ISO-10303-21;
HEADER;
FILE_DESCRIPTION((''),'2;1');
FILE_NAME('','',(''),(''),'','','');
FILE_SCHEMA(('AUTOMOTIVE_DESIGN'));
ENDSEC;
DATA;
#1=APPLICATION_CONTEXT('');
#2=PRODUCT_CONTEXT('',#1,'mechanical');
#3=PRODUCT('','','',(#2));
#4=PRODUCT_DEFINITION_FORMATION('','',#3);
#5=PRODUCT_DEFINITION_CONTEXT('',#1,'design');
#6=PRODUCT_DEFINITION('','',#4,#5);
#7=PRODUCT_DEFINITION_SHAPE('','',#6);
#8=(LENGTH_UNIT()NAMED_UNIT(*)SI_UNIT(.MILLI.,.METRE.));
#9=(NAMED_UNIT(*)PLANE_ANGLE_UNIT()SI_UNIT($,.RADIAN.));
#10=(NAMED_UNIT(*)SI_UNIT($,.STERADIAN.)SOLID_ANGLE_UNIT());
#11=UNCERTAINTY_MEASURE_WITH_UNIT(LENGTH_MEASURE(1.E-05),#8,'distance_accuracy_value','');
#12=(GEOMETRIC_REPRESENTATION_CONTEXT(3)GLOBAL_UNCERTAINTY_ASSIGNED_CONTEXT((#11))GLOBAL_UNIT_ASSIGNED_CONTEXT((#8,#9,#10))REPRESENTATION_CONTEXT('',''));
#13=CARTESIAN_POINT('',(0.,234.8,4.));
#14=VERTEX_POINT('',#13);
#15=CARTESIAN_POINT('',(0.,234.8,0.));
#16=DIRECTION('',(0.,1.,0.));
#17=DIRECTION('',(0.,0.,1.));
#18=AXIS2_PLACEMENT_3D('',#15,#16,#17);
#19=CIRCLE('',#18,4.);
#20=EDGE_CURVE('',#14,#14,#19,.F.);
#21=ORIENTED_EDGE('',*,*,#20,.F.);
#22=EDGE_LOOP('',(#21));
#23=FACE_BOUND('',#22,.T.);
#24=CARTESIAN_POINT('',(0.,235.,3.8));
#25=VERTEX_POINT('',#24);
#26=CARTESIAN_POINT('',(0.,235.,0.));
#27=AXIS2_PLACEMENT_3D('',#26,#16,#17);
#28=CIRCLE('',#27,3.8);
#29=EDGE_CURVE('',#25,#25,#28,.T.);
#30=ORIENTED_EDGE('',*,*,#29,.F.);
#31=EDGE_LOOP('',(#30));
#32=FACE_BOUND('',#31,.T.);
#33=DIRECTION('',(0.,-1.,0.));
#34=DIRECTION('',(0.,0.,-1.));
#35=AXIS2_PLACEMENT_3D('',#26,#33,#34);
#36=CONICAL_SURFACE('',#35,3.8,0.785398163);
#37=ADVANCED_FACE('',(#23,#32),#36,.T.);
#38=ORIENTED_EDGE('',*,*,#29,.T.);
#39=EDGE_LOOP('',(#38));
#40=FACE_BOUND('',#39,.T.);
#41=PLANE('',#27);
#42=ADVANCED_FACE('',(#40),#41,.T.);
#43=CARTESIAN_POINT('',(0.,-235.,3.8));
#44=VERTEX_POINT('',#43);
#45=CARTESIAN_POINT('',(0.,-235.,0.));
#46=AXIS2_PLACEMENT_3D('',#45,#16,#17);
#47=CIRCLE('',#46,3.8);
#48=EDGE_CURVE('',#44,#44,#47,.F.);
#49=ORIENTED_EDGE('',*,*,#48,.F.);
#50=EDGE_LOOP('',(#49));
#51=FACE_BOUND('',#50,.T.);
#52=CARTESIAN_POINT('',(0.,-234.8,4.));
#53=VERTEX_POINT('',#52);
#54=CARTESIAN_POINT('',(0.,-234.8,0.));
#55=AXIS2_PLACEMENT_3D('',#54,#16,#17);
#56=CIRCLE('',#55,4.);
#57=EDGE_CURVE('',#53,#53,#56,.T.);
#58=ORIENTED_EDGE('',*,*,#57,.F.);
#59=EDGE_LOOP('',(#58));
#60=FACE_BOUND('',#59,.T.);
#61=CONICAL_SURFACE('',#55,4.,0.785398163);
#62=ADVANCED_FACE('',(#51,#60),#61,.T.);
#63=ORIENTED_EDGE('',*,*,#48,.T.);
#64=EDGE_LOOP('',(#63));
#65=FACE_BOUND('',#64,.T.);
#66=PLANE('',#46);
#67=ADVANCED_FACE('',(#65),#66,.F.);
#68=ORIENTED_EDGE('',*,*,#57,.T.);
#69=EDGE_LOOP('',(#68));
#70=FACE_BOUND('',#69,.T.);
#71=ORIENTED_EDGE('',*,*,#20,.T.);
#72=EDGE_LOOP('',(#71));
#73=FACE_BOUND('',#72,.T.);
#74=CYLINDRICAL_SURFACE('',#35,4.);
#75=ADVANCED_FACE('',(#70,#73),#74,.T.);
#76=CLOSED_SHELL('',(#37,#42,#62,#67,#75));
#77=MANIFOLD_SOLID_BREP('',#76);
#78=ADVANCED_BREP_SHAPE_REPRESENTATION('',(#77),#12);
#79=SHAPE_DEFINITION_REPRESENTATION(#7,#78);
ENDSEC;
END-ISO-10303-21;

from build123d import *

# Parameters (mm, degrees)
SKETCH1_R           = 4
BOSS_EXTRUDE1_DEPTH = 235
CHAMFER1_SIZE       = 0.2


with BuildPart() as part:
    # Sketch1 → Boss-Extrude1 (new body, symmetric)
    with BuildSketch(Plane(origin=(0, 0, 0), x_dir=(1, 0, 0), z_dir=(0, 1, 0))):
        Circle(SKETCH1_R)
    extrude(amount=BOSS_EXTRUDE1_DEPTH, both=True)

    # Chamfer1
    chamfer1_edges = [part.edges().sort_by_distance(p)[0] for p in [
        (-4, -235, 0),
        (-4, 235, 0),
    ]]
    chamfer(chamfer1_edges, length=CHAMFER1_SIZE)


solid = part.part
